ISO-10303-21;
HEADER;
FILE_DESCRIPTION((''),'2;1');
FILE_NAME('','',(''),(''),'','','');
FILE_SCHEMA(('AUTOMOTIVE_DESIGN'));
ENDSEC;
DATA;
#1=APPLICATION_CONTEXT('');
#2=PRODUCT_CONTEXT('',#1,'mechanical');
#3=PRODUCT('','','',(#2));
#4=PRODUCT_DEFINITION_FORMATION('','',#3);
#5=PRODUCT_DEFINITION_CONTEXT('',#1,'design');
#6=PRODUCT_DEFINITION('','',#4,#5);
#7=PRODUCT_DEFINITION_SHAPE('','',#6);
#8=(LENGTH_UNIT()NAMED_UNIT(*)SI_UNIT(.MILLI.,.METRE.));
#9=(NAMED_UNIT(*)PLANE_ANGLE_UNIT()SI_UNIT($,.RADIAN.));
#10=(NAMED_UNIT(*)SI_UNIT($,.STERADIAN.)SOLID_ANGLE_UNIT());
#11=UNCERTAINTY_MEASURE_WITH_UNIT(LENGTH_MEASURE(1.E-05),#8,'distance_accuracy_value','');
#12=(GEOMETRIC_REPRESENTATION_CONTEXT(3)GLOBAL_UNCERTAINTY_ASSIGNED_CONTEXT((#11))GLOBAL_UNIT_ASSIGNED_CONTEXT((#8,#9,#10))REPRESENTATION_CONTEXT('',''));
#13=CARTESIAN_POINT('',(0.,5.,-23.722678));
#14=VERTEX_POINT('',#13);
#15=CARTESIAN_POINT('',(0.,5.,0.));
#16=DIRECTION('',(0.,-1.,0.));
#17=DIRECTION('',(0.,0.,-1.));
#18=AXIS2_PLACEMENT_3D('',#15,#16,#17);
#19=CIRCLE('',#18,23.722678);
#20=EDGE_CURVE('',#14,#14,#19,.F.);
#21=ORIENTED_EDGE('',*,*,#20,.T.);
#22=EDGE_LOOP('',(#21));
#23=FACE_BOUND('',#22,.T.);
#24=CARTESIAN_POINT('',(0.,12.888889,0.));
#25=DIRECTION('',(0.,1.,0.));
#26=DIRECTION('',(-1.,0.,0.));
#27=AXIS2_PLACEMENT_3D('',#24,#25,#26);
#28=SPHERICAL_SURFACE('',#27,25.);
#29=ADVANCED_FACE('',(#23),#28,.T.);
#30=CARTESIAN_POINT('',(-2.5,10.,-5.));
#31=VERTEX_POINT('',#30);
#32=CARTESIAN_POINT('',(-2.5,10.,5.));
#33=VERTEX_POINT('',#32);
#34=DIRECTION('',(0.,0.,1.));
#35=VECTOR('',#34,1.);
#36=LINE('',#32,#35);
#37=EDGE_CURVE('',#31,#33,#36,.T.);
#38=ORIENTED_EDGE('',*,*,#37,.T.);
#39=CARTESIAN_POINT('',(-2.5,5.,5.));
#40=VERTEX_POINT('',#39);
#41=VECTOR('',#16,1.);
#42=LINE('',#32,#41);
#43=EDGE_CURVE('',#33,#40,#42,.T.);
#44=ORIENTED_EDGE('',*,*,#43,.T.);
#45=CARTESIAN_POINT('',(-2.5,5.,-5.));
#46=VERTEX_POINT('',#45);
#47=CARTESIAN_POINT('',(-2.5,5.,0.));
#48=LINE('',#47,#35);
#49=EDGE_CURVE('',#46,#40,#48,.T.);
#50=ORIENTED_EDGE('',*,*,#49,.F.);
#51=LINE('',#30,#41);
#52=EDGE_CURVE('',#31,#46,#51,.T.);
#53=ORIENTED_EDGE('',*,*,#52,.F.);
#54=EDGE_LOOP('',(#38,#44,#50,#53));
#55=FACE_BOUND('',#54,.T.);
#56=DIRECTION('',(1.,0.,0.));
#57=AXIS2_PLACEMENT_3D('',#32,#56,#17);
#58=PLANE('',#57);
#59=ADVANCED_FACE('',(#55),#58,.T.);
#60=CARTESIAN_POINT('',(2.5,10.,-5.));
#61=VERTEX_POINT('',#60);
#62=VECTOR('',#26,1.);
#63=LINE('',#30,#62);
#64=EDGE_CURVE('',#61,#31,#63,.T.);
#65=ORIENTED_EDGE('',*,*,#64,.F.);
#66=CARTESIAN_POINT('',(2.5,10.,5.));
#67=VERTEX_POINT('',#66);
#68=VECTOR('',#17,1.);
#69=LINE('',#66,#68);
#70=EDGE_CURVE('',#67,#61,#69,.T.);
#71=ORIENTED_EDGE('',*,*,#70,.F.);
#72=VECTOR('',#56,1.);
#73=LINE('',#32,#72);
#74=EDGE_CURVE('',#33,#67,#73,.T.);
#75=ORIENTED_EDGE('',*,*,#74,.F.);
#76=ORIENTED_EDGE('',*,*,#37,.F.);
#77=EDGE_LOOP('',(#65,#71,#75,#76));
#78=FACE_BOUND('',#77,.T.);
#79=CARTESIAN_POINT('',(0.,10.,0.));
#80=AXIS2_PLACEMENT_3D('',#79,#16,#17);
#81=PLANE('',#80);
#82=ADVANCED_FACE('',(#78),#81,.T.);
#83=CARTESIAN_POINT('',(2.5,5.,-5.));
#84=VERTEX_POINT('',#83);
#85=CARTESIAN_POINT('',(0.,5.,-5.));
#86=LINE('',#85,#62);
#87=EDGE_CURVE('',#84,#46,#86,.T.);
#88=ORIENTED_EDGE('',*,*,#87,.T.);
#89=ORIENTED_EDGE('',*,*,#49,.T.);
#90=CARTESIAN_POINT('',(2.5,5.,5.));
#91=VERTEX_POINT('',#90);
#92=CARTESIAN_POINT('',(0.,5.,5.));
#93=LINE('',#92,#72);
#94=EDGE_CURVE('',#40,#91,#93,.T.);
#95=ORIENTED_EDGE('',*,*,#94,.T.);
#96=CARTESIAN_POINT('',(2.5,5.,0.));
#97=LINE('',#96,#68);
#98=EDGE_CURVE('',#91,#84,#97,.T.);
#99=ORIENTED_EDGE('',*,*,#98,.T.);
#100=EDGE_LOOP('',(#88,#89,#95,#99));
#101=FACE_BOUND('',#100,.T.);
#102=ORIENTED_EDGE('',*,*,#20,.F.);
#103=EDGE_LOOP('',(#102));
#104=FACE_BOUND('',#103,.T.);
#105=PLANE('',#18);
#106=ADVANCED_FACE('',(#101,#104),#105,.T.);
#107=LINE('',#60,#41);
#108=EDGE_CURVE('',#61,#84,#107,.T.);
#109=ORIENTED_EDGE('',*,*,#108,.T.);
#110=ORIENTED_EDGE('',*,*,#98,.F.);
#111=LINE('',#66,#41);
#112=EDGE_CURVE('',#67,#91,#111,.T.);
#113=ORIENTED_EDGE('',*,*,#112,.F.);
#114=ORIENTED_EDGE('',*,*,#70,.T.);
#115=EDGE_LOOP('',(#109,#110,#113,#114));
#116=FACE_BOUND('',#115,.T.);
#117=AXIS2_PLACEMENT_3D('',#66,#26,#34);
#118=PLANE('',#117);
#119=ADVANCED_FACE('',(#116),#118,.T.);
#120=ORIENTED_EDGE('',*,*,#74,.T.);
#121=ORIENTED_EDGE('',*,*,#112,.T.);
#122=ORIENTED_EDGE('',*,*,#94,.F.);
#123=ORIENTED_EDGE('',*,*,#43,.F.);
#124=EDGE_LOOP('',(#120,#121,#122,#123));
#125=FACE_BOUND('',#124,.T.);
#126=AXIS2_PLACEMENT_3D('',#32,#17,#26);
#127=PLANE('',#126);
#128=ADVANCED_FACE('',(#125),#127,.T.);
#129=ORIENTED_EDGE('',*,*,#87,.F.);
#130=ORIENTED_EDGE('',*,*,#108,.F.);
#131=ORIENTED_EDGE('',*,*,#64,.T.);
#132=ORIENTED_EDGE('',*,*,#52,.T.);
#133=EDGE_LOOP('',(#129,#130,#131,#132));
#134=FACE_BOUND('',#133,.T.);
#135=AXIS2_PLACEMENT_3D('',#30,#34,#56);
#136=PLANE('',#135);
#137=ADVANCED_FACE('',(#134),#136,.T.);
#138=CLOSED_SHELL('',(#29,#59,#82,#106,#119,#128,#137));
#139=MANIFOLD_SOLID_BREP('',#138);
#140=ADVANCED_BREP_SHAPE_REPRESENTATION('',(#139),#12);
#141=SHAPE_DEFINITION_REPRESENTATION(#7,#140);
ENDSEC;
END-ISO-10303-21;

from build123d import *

# Parameters (mm, degrees)
SKETCH6_W          = 61.139548952
SKETCH6_H          = 56.128506874
CUT_EXTRUDE7_DEPTH = 5
SKETCH7_W          = 5
SKETCH7_H          = 10
CUT_EXTRUDE8_DEPTH = 10


with BuildPart() as part:
    # Sketch1 → Revolve1 (revolve)
    with BuildSketch(Plane.XY):
        with BuildLine():
            Line((0, 37.888888889), (0, -12.111111111))
            ThreePointArc((0, -12.111111111), (-25, 12.888888889), (0, 37.888888889))
        make_face()
    revolve(axis=Axis((0, 37.888888889, 0), (0, -1, 0)))

    # Sketch6 → Cut-Extrude7 (cut, symmetric)
    with BuildSketch(Plane(origin=(0, 0, 0), x_dir=(1, 0, 0), z_dir=(0, 1, 0))):
        Rectangle(SKETCH6_W, SKETCH6_H)
    extrude(amount=CUT_EXTRUDE7_DEPTH, both=True, mode=Mode.SUBTRACT)


with BuildPart() as body_2:
    # of the pieces the cut leaves, the one that is kept (cut_extrude7_keep)
    add(part.part.solids().sort_by_distance((-23.722677591, 5, 0))[0])

    # Sketch7 → Cut-Extrude8 (cut)
    with BuildSketch(Plane(origin=(0, 0, 0), x_dir=(1, 0, 0), z_dir=(0, 1, 0))):
        Rectangle(SKETCH7_W, SKETCH7_H)
    extrude(amount=CUT_EXTRUDE8_DEPTH, mode=Mode.SUBTRACT)


solid = body_2.part
